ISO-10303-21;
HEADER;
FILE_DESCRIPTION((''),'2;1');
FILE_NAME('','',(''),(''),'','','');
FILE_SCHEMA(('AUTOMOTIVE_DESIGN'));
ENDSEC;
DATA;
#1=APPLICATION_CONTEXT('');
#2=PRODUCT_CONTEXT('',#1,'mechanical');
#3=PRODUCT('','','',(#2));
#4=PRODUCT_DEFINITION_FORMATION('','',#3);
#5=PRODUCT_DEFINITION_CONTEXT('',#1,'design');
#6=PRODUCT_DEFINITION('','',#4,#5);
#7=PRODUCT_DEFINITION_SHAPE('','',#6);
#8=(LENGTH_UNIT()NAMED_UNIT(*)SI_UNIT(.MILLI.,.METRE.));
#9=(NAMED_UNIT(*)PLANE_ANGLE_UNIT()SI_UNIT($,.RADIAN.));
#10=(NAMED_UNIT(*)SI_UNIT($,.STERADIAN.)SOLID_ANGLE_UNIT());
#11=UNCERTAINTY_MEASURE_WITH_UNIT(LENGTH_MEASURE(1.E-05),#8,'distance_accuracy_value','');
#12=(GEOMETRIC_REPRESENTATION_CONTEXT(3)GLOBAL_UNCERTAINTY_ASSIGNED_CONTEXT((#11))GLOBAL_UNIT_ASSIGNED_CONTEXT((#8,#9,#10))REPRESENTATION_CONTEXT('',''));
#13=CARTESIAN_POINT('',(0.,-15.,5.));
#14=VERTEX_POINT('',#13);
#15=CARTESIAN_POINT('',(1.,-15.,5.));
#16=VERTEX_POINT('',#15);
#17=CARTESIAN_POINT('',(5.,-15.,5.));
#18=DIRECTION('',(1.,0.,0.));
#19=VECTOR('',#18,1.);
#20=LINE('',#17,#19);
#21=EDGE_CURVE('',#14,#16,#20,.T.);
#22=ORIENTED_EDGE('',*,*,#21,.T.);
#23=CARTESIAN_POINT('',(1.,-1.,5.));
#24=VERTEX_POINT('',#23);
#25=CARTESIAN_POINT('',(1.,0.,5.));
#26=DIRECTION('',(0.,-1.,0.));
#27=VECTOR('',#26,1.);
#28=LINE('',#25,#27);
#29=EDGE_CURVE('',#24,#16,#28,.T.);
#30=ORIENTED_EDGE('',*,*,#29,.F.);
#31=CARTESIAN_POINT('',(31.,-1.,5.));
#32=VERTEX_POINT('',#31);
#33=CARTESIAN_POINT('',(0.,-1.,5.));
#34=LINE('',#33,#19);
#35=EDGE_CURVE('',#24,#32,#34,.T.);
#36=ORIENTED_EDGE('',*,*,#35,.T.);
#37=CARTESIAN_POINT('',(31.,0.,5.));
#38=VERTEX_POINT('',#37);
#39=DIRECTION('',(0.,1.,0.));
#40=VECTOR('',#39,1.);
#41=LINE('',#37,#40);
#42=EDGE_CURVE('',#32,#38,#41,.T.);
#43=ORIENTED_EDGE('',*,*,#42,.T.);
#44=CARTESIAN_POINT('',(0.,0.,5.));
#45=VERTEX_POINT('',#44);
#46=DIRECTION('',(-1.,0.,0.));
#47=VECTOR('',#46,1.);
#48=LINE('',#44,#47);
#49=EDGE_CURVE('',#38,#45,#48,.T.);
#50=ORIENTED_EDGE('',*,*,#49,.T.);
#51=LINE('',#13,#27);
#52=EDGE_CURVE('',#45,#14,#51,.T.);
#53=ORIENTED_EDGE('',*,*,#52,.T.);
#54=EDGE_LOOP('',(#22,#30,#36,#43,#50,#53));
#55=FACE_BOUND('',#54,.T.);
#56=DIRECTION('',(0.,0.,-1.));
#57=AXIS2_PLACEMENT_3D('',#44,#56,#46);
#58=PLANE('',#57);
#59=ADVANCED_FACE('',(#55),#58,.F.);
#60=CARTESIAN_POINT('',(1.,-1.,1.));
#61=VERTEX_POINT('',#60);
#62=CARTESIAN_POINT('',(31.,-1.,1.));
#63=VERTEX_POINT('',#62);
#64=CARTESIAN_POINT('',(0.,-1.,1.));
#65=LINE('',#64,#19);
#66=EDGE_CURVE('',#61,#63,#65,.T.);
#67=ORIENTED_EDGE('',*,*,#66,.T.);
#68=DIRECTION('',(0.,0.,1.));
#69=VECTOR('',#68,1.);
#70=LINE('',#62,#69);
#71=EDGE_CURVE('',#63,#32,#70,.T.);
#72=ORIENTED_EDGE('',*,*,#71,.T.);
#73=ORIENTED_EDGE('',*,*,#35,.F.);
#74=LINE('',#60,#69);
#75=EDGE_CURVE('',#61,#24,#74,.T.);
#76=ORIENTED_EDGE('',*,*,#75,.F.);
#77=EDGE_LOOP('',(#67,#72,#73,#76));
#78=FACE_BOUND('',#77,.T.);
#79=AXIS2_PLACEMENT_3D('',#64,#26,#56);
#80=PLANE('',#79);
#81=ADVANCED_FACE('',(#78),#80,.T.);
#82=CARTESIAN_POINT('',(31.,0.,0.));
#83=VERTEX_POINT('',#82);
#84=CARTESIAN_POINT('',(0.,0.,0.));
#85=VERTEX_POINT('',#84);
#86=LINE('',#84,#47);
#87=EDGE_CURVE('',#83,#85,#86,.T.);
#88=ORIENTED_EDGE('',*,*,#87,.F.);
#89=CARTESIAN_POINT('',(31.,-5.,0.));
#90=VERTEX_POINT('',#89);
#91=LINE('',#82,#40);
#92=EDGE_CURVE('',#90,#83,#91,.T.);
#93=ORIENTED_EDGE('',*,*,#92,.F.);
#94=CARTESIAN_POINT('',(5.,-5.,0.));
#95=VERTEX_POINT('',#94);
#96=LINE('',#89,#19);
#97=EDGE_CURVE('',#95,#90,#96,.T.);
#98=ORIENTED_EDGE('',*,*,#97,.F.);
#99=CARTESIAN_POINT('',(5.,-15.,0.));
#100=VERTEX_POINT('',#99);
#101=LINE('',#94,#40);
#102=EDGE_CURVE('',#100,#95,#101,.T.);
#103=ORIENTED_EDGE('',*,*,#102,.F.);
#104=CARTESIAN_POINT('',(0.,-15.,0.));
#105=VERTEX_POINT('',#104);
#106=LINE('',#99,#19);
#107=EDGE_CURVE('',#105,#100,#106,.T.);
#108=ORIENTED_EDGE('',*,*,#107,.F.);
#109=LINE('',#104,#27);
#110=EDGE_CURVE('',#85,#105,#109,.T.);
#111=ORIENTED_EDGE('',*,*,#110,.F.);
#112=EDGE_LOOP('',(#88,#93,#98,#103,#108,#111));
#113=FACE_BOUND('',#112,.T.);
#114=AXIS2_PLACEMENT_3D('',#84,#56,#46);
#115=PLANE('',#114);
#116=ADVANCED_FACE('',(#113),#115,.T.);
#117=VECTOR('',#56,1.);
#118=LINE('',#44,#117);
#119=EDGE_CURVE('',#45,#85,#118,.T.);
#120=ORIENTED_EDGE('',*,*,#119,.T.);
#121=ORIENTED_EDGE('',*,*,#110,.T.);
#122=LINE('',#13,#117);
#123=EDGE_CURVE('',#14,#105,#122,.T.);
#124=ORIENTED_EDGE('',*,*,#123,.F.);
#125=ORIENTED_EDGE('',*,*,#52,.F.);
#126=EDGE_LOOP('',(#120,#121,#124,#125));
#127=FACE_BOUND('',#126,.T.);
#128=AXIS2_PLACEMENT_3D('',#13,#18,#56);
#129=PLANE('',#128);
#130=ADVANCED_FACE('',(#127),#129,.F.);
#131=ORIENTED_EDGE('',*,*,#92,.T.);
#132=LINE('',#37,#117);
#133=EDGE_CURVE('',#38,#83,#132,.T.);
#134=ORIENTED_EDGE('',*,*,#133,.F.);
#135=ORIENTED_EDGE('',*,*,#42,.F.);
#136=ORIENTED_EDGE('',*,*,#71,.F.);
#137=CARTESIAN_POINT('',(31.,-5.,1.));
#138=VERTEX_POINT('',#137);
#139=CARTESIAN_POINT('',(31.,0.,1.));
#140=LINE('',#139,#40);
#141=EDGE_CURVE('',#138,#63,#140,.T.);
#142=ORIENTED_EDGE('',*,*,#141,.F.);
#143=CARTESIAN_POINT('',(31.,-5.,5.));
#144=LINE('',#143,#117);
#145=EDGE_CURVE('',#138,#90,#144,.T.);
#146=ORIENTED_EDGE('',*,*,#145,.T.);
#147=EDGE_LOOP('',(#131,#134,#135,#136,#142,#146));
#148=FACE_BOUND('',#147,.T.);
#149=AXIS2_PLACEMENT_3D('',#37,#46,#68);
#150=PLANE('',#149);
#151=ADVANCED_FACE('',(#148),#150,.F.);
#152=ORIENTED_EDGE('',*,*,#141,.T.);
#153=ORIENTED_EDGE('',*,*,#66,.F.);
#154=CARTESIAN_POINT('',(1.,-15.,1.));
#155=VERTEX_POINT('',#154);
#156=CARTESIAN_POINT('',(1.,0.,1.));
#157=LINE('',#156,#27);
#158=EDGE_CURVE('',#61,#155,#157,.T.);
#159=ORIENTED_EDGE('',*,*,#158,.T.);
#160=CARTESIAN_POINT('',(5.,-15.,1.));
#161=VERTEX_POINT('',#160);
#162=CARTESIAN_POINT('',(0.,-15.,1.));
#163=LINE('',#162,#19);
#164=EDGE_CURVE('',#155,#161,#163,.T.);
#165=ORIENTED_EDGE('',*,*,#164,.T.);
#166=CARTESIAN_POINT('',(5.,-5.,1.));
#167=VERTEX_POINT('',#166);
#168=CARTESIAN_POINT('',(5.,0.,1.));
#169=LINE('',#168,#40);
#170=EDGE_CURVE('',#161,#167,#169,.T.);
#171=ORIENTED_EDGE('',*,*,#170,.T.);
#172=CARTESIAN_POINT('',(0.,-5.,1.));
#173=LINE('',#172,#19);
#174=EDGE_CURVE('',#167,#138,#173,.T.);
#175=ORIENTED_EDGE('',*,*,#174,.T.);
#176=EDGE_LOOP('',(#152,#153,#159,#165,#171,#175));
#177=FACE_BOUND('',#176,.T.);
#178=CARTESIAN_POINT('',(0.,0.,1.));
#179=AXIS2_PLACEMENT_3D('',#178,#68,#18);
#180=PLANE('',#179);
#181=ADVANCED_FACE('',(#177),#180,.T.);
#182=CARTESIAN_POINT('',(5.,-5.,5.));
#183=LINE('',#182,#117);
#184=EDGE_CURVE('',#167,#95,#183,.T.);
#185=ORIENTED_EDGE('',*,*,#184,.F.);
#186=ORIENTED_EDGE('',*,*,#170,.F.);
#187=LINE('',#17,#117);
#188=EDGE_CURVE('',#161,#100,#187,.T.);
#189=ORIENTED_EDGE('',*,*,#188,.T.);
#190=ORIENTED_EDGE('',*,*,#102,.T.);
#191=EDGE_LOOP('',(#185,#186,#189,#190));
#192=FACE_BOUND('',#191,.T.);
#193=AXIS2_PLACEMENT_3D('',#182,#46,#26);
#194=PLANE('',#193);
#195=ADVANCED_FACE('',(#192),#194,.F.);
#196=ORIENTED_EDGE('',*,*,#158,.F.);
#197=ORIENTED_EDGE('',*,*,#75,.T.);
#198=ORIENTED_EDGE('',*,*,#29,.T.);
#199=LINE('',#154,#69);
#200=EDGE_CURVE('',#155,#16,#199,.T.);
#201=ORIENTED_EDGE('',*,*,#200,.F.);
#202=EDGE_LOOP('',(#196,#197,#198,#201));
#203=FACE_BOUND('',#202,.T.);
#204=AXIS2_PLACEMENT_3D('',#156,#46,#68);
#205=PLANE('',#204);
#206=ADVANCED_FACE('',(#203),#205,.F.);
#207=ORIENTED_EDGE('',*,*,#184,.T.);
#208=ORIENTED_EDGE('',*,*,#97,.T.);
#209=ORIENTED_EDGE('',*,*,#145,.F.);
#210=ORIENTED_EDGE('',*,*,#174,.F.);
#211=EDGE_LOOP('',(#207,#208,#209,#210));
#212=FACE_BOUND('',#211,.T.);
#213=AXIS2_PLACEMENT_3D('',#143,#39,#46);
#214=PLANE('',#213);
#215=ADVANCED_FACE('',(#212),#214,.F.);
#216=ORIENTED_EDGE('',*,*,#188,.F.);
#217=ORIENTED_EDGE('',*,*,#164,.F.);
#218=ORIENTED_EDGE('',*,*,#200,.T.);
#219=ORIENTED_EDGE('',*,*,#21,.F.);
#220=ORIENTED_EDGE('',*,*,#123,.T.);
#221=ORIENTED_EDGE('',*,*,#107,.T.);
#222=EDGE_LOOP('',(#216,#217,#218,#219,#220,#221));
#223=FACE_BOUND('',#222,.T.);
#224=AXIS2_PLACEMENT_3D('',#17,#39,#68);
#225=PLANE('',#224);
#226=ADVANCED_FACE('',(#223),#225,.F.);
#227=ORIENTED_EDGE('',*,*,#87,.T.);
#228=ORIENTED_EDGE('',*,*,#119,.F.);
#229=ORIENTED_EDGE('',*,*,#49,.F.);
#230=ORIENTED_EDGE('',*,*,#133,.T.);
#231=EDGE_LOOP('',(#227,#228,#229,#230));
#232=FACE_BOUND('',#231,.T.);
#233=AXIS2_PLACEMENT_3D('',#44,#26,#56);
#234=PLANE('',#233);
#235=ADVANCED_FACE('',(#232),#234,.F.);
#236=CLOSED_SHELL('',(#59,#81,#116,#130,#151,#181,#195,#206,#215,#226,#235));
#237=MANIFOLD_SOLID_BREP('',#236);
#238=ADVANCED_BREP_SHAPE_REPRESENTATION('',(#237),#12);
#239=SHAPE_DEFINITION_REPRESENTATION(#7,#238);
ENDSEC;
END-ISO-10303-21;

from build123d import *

# Parameters (mm, degrees)
BOSS_EXTRU_1_DEPTH      = 5
ENL_V_MAT_EXTRU_1_DEPTH = 4


with BuildPart() as part:
    # Esquisse1 → Boss.-Extru.1 (new body)
    with BuildSketch(Plane.XY):
        Polygon((0, 0), (31, 0), (31, -5), (5, -5), (5, -15), (0, -15), align=None)
    extrude(amount=BOSS_EXTRU_1_DEPTH)

    # Esquisse2 → Enlèv. mat.-Extru.1 (cut)
    with BuildSketch(Plane.XY.offset(5)):
        Polygon((1, -15), (5, -15), (5, -5), (31, -5), (31, -1), (1, -1), align=None)
    extrude(amount=-ENL_V_MAT_EXTRU_1_DEPTH, mode=Mode.SUBTRACT)


solid = part.part
